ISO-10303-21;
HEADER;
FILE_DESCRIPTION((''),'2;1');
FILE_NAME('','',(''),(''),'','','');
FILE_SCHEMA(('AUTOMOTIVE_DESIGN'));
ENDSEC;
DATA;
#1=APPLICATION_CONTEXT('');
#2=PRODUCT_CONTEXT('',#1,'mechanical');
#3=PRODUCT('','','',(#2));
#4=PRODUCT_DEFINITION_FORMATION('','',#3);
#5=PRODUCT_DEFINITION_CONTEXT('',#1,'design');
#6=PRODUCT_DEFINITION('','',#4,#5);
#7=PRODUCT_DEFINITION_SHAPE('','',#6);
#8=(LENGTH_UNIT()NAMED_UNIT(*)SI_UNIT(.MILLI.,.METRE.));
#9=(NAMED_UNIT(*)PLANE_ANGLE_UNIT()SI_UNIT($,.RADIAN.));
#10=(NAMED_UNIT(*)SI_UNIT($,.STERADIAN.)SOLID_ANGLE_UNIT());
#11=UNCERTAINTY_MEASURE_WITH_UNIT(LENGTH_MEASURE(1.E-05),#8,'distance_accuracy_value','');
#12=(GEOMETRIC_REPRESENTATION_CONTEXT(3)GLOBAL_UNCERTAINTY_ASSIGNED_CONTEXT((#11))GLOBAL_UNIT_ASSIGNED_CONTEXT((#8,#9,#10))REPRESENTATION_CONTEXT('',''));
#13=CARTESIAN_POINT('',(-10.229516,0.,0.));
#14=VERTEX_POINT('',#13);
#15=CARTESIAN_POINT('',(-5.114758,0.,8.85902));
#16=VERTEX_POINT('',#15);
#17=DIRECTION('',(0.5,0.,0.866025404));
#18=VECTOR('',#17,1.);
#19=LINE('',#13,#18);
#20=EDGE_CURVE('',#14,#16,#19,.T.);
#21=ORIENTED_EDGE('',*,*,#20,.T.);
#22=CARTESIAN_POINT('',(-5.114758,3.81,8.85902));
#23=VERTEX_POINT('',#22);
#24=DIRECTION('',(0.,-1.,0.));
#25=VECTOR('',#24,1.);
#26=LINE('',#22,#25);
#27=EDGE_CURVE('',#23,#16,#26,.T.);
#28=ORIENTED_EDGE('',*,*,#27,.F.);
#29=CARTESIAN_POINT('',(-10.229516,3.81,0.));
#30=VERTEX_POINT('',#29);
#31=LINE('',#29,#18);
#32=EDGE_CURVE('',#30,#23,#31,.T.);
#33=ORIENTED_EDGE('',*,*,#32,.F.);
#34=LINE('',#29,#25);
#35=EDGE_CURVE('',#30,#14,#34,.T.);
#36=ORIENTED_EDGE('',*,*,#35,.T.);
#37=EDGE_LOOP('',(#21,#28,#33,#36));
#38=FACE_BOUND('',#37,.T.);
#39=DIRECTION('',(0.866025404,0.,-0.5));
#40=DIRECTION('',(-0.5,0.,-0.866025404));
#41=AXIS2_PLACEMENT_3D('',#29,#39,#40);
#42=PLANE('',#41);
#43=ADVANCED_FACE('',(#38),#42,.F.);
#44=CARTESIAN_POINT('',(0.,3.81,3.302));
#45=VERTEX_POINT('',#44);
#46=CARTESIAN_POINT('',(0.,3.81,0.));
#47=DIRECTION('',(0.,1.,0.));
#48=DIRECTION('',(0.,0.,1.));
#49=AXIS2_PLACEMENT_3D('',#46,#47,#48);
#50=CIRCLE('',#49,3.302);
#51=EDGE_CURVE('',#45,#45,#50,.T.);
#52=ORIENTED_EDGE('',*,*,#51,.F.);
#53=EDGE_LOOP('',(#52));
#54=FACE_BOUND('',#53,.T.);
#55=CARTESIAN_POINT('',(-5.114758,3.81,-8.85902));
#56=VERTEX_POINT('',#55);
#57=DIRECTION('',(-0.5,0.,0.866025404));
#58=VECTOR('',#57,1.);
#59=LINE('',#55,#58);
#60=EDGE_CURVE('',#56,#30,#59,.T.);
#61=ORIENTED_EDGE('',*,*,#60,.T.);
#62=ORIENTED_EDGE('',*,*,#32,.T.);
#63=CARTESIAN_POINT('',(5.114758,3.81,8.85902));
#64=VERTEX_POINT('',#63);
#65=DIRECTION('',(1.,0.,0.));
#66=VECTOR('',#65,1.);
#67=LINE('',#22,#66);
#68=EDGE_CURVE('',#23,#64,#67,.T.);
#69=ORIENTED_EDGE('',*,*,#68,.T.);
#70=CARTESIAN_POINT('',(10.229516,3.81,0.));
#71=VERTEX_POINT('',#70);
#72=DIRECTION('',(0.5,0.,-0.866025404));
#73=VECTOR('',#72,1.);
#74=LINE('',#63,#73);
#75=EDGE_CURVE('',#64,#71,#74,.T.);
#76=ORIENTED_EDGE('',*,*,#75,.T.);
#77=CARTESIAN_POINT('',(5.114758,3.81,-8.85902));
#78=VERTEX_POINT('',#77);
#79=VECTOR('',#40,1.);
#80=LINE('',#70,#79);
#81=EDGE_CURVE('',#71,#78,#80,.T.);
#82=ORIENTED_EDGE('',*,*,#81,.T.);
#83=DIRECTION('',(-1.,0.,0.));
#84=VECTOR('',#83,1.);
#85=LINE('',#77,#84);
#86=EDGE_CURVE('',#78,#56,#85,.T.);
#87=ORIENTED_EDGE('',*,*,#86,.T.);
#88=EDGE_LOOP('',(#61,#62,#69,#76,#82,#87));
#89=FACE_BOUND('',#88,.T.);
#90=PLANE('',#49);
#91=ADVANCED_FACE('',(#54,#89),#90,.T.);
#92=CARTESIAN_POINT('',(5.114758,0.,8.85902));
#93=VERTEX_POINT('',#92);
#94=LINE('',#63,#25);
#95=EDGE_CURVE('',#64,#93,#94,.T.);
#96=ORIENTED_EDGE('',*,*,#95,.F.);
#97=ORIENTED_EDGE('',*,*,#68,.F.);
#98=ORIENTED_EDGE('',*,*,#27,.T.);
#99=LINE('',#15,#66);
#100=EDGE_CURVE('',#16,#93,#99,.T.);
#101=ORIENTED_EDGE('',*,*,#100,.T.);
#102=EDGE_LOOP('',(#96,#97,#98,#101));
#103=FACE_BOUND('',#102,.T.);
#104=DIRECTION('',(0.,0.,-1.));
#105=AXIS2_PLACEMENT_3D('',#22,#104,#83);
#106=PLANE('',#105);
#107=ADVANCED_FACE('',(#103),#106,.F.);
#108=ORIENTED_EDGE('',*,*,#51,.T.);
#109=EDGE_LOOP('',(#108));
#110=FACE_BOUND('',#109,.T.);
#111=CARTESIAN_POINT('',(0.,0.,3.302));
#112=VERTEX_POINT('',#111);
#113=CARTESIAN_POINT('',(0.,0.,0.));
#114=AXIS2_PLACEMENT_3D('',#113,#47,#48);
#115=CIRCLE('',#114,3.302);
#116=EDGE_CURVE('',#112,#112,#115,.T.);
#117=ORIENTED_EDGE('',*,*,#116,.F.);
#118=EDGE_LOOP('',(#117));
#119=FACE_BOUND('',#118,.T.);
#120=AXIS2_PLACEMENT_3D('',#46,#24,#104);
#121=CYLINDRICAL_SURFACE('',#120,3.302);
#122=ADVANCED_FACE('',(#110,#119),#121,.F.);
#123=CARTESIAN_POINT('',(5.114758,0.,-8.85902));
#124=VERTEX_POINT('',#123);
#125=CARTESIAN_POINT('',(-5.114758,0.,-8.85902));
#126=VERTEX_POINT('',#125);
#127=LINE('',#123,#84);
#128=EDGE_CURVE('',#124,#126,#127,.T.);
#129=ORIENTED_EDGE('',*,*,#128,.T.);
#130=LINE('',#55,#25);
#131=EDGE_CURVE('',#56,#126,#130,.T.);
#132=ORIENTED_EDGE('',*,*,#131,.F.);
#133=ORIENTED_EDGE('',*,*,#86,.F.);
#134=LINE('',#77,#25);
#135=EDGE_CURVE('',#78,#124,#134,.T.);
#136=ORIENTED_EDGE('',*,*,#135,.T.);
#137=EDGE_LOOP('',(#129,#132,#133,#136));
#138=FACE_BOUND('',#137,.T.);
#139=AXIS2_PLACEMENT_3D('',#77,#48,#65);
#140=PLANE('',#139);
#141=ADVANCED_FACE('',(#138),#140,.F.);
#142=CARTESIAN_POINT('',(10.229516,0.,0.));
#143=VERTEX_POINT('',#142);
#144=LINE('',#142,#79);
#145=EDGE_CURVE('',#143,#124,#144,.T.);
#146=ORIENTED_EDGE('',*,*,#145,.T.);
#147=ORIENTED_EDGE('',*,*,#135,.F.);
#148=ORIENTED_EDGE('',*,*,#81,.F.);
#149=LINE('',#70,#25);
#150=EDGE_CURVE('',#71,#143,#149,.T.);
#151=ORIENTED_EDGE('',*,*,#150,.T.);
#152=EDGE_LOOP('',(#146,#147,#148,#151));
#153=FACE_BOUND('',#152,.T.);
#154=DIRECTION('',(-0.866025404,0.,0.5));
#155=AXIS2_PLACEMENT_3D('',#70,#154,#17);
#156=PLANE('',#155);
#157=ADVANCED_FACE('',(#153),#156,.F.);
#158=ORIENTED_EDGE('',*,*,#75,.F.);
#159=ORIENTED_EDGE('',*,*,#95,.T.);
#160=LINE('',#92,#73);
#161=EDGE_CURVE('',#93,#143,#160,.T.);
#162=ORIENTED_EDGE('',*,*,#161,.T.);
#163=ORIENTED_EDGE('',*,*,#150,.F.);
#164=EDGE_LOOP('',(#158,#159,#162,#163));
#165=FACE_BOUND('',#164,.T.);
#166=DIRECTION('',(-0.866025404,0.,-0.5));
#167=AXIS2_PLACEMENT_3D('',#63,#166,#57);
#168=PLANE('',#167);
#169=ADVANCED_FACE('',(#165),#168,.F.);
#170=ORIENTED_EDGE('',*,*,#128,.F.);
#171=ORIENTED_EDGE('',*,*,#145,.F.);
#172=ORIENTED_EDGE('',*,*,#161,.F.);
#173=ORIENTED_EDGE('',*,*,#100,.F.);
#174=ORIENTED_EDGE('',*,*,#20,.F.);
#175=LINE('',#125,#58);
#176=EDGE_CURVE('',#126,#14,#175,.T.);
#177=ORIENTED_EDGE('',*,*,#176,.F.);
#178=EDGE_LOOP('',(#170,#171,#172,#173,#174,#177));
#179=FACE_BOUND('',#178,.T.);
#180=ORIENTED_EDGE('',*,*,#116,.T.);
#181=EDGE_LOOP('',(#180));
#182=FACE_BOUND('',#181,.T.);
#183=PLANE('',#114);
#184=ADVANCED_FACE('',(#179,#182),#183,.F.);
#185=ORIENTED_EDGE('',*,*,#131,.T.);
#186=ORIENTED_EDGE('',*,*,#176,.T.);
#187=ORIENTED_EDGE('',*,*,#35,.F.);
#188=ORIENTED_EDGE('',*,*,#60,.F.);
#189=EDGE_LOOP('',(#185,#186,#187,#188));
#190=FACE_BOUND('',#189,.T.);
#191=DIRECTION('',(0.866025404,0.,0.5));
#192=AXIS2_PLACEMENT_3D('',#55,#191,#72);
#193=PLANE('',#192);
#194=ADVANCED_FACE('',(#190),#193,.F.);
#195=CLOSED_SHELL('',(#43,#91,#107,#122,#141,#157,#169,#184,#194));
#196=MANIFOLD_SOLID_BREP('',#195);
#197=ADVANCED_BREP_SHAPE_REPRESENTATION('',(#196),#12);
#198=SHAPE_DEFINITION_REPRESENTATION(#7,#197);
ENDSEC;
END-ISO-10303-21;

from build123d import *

# Parameters (mm, degrees)
SKETCH1_R           = 3.302
BOSS_EXTRUDE1_DEPTH = 3.81


with BuildPart() as part:
    # Sketch1 → Boss-Extrude1 (new body)
    with BuildSketch(Plane(origin=(0, 0, 0), x_dir=(1, 0, 0), z_dir=(0, 1, 0))):
        Polygon((10.229515579, 0), (5.11475779, 8.85902036), (-5.11475779, 8.85902036), (-10.229515579, 0), (-5.11475779, -8.85902036), (5.11475779, -8.85902036), align=None)
        Circle(SKETCH1_R, mode=Mode.SUBTRACT)
    extrude(amount=BOSS_EXTRUDE1_DEPTH)


solid = part.part
